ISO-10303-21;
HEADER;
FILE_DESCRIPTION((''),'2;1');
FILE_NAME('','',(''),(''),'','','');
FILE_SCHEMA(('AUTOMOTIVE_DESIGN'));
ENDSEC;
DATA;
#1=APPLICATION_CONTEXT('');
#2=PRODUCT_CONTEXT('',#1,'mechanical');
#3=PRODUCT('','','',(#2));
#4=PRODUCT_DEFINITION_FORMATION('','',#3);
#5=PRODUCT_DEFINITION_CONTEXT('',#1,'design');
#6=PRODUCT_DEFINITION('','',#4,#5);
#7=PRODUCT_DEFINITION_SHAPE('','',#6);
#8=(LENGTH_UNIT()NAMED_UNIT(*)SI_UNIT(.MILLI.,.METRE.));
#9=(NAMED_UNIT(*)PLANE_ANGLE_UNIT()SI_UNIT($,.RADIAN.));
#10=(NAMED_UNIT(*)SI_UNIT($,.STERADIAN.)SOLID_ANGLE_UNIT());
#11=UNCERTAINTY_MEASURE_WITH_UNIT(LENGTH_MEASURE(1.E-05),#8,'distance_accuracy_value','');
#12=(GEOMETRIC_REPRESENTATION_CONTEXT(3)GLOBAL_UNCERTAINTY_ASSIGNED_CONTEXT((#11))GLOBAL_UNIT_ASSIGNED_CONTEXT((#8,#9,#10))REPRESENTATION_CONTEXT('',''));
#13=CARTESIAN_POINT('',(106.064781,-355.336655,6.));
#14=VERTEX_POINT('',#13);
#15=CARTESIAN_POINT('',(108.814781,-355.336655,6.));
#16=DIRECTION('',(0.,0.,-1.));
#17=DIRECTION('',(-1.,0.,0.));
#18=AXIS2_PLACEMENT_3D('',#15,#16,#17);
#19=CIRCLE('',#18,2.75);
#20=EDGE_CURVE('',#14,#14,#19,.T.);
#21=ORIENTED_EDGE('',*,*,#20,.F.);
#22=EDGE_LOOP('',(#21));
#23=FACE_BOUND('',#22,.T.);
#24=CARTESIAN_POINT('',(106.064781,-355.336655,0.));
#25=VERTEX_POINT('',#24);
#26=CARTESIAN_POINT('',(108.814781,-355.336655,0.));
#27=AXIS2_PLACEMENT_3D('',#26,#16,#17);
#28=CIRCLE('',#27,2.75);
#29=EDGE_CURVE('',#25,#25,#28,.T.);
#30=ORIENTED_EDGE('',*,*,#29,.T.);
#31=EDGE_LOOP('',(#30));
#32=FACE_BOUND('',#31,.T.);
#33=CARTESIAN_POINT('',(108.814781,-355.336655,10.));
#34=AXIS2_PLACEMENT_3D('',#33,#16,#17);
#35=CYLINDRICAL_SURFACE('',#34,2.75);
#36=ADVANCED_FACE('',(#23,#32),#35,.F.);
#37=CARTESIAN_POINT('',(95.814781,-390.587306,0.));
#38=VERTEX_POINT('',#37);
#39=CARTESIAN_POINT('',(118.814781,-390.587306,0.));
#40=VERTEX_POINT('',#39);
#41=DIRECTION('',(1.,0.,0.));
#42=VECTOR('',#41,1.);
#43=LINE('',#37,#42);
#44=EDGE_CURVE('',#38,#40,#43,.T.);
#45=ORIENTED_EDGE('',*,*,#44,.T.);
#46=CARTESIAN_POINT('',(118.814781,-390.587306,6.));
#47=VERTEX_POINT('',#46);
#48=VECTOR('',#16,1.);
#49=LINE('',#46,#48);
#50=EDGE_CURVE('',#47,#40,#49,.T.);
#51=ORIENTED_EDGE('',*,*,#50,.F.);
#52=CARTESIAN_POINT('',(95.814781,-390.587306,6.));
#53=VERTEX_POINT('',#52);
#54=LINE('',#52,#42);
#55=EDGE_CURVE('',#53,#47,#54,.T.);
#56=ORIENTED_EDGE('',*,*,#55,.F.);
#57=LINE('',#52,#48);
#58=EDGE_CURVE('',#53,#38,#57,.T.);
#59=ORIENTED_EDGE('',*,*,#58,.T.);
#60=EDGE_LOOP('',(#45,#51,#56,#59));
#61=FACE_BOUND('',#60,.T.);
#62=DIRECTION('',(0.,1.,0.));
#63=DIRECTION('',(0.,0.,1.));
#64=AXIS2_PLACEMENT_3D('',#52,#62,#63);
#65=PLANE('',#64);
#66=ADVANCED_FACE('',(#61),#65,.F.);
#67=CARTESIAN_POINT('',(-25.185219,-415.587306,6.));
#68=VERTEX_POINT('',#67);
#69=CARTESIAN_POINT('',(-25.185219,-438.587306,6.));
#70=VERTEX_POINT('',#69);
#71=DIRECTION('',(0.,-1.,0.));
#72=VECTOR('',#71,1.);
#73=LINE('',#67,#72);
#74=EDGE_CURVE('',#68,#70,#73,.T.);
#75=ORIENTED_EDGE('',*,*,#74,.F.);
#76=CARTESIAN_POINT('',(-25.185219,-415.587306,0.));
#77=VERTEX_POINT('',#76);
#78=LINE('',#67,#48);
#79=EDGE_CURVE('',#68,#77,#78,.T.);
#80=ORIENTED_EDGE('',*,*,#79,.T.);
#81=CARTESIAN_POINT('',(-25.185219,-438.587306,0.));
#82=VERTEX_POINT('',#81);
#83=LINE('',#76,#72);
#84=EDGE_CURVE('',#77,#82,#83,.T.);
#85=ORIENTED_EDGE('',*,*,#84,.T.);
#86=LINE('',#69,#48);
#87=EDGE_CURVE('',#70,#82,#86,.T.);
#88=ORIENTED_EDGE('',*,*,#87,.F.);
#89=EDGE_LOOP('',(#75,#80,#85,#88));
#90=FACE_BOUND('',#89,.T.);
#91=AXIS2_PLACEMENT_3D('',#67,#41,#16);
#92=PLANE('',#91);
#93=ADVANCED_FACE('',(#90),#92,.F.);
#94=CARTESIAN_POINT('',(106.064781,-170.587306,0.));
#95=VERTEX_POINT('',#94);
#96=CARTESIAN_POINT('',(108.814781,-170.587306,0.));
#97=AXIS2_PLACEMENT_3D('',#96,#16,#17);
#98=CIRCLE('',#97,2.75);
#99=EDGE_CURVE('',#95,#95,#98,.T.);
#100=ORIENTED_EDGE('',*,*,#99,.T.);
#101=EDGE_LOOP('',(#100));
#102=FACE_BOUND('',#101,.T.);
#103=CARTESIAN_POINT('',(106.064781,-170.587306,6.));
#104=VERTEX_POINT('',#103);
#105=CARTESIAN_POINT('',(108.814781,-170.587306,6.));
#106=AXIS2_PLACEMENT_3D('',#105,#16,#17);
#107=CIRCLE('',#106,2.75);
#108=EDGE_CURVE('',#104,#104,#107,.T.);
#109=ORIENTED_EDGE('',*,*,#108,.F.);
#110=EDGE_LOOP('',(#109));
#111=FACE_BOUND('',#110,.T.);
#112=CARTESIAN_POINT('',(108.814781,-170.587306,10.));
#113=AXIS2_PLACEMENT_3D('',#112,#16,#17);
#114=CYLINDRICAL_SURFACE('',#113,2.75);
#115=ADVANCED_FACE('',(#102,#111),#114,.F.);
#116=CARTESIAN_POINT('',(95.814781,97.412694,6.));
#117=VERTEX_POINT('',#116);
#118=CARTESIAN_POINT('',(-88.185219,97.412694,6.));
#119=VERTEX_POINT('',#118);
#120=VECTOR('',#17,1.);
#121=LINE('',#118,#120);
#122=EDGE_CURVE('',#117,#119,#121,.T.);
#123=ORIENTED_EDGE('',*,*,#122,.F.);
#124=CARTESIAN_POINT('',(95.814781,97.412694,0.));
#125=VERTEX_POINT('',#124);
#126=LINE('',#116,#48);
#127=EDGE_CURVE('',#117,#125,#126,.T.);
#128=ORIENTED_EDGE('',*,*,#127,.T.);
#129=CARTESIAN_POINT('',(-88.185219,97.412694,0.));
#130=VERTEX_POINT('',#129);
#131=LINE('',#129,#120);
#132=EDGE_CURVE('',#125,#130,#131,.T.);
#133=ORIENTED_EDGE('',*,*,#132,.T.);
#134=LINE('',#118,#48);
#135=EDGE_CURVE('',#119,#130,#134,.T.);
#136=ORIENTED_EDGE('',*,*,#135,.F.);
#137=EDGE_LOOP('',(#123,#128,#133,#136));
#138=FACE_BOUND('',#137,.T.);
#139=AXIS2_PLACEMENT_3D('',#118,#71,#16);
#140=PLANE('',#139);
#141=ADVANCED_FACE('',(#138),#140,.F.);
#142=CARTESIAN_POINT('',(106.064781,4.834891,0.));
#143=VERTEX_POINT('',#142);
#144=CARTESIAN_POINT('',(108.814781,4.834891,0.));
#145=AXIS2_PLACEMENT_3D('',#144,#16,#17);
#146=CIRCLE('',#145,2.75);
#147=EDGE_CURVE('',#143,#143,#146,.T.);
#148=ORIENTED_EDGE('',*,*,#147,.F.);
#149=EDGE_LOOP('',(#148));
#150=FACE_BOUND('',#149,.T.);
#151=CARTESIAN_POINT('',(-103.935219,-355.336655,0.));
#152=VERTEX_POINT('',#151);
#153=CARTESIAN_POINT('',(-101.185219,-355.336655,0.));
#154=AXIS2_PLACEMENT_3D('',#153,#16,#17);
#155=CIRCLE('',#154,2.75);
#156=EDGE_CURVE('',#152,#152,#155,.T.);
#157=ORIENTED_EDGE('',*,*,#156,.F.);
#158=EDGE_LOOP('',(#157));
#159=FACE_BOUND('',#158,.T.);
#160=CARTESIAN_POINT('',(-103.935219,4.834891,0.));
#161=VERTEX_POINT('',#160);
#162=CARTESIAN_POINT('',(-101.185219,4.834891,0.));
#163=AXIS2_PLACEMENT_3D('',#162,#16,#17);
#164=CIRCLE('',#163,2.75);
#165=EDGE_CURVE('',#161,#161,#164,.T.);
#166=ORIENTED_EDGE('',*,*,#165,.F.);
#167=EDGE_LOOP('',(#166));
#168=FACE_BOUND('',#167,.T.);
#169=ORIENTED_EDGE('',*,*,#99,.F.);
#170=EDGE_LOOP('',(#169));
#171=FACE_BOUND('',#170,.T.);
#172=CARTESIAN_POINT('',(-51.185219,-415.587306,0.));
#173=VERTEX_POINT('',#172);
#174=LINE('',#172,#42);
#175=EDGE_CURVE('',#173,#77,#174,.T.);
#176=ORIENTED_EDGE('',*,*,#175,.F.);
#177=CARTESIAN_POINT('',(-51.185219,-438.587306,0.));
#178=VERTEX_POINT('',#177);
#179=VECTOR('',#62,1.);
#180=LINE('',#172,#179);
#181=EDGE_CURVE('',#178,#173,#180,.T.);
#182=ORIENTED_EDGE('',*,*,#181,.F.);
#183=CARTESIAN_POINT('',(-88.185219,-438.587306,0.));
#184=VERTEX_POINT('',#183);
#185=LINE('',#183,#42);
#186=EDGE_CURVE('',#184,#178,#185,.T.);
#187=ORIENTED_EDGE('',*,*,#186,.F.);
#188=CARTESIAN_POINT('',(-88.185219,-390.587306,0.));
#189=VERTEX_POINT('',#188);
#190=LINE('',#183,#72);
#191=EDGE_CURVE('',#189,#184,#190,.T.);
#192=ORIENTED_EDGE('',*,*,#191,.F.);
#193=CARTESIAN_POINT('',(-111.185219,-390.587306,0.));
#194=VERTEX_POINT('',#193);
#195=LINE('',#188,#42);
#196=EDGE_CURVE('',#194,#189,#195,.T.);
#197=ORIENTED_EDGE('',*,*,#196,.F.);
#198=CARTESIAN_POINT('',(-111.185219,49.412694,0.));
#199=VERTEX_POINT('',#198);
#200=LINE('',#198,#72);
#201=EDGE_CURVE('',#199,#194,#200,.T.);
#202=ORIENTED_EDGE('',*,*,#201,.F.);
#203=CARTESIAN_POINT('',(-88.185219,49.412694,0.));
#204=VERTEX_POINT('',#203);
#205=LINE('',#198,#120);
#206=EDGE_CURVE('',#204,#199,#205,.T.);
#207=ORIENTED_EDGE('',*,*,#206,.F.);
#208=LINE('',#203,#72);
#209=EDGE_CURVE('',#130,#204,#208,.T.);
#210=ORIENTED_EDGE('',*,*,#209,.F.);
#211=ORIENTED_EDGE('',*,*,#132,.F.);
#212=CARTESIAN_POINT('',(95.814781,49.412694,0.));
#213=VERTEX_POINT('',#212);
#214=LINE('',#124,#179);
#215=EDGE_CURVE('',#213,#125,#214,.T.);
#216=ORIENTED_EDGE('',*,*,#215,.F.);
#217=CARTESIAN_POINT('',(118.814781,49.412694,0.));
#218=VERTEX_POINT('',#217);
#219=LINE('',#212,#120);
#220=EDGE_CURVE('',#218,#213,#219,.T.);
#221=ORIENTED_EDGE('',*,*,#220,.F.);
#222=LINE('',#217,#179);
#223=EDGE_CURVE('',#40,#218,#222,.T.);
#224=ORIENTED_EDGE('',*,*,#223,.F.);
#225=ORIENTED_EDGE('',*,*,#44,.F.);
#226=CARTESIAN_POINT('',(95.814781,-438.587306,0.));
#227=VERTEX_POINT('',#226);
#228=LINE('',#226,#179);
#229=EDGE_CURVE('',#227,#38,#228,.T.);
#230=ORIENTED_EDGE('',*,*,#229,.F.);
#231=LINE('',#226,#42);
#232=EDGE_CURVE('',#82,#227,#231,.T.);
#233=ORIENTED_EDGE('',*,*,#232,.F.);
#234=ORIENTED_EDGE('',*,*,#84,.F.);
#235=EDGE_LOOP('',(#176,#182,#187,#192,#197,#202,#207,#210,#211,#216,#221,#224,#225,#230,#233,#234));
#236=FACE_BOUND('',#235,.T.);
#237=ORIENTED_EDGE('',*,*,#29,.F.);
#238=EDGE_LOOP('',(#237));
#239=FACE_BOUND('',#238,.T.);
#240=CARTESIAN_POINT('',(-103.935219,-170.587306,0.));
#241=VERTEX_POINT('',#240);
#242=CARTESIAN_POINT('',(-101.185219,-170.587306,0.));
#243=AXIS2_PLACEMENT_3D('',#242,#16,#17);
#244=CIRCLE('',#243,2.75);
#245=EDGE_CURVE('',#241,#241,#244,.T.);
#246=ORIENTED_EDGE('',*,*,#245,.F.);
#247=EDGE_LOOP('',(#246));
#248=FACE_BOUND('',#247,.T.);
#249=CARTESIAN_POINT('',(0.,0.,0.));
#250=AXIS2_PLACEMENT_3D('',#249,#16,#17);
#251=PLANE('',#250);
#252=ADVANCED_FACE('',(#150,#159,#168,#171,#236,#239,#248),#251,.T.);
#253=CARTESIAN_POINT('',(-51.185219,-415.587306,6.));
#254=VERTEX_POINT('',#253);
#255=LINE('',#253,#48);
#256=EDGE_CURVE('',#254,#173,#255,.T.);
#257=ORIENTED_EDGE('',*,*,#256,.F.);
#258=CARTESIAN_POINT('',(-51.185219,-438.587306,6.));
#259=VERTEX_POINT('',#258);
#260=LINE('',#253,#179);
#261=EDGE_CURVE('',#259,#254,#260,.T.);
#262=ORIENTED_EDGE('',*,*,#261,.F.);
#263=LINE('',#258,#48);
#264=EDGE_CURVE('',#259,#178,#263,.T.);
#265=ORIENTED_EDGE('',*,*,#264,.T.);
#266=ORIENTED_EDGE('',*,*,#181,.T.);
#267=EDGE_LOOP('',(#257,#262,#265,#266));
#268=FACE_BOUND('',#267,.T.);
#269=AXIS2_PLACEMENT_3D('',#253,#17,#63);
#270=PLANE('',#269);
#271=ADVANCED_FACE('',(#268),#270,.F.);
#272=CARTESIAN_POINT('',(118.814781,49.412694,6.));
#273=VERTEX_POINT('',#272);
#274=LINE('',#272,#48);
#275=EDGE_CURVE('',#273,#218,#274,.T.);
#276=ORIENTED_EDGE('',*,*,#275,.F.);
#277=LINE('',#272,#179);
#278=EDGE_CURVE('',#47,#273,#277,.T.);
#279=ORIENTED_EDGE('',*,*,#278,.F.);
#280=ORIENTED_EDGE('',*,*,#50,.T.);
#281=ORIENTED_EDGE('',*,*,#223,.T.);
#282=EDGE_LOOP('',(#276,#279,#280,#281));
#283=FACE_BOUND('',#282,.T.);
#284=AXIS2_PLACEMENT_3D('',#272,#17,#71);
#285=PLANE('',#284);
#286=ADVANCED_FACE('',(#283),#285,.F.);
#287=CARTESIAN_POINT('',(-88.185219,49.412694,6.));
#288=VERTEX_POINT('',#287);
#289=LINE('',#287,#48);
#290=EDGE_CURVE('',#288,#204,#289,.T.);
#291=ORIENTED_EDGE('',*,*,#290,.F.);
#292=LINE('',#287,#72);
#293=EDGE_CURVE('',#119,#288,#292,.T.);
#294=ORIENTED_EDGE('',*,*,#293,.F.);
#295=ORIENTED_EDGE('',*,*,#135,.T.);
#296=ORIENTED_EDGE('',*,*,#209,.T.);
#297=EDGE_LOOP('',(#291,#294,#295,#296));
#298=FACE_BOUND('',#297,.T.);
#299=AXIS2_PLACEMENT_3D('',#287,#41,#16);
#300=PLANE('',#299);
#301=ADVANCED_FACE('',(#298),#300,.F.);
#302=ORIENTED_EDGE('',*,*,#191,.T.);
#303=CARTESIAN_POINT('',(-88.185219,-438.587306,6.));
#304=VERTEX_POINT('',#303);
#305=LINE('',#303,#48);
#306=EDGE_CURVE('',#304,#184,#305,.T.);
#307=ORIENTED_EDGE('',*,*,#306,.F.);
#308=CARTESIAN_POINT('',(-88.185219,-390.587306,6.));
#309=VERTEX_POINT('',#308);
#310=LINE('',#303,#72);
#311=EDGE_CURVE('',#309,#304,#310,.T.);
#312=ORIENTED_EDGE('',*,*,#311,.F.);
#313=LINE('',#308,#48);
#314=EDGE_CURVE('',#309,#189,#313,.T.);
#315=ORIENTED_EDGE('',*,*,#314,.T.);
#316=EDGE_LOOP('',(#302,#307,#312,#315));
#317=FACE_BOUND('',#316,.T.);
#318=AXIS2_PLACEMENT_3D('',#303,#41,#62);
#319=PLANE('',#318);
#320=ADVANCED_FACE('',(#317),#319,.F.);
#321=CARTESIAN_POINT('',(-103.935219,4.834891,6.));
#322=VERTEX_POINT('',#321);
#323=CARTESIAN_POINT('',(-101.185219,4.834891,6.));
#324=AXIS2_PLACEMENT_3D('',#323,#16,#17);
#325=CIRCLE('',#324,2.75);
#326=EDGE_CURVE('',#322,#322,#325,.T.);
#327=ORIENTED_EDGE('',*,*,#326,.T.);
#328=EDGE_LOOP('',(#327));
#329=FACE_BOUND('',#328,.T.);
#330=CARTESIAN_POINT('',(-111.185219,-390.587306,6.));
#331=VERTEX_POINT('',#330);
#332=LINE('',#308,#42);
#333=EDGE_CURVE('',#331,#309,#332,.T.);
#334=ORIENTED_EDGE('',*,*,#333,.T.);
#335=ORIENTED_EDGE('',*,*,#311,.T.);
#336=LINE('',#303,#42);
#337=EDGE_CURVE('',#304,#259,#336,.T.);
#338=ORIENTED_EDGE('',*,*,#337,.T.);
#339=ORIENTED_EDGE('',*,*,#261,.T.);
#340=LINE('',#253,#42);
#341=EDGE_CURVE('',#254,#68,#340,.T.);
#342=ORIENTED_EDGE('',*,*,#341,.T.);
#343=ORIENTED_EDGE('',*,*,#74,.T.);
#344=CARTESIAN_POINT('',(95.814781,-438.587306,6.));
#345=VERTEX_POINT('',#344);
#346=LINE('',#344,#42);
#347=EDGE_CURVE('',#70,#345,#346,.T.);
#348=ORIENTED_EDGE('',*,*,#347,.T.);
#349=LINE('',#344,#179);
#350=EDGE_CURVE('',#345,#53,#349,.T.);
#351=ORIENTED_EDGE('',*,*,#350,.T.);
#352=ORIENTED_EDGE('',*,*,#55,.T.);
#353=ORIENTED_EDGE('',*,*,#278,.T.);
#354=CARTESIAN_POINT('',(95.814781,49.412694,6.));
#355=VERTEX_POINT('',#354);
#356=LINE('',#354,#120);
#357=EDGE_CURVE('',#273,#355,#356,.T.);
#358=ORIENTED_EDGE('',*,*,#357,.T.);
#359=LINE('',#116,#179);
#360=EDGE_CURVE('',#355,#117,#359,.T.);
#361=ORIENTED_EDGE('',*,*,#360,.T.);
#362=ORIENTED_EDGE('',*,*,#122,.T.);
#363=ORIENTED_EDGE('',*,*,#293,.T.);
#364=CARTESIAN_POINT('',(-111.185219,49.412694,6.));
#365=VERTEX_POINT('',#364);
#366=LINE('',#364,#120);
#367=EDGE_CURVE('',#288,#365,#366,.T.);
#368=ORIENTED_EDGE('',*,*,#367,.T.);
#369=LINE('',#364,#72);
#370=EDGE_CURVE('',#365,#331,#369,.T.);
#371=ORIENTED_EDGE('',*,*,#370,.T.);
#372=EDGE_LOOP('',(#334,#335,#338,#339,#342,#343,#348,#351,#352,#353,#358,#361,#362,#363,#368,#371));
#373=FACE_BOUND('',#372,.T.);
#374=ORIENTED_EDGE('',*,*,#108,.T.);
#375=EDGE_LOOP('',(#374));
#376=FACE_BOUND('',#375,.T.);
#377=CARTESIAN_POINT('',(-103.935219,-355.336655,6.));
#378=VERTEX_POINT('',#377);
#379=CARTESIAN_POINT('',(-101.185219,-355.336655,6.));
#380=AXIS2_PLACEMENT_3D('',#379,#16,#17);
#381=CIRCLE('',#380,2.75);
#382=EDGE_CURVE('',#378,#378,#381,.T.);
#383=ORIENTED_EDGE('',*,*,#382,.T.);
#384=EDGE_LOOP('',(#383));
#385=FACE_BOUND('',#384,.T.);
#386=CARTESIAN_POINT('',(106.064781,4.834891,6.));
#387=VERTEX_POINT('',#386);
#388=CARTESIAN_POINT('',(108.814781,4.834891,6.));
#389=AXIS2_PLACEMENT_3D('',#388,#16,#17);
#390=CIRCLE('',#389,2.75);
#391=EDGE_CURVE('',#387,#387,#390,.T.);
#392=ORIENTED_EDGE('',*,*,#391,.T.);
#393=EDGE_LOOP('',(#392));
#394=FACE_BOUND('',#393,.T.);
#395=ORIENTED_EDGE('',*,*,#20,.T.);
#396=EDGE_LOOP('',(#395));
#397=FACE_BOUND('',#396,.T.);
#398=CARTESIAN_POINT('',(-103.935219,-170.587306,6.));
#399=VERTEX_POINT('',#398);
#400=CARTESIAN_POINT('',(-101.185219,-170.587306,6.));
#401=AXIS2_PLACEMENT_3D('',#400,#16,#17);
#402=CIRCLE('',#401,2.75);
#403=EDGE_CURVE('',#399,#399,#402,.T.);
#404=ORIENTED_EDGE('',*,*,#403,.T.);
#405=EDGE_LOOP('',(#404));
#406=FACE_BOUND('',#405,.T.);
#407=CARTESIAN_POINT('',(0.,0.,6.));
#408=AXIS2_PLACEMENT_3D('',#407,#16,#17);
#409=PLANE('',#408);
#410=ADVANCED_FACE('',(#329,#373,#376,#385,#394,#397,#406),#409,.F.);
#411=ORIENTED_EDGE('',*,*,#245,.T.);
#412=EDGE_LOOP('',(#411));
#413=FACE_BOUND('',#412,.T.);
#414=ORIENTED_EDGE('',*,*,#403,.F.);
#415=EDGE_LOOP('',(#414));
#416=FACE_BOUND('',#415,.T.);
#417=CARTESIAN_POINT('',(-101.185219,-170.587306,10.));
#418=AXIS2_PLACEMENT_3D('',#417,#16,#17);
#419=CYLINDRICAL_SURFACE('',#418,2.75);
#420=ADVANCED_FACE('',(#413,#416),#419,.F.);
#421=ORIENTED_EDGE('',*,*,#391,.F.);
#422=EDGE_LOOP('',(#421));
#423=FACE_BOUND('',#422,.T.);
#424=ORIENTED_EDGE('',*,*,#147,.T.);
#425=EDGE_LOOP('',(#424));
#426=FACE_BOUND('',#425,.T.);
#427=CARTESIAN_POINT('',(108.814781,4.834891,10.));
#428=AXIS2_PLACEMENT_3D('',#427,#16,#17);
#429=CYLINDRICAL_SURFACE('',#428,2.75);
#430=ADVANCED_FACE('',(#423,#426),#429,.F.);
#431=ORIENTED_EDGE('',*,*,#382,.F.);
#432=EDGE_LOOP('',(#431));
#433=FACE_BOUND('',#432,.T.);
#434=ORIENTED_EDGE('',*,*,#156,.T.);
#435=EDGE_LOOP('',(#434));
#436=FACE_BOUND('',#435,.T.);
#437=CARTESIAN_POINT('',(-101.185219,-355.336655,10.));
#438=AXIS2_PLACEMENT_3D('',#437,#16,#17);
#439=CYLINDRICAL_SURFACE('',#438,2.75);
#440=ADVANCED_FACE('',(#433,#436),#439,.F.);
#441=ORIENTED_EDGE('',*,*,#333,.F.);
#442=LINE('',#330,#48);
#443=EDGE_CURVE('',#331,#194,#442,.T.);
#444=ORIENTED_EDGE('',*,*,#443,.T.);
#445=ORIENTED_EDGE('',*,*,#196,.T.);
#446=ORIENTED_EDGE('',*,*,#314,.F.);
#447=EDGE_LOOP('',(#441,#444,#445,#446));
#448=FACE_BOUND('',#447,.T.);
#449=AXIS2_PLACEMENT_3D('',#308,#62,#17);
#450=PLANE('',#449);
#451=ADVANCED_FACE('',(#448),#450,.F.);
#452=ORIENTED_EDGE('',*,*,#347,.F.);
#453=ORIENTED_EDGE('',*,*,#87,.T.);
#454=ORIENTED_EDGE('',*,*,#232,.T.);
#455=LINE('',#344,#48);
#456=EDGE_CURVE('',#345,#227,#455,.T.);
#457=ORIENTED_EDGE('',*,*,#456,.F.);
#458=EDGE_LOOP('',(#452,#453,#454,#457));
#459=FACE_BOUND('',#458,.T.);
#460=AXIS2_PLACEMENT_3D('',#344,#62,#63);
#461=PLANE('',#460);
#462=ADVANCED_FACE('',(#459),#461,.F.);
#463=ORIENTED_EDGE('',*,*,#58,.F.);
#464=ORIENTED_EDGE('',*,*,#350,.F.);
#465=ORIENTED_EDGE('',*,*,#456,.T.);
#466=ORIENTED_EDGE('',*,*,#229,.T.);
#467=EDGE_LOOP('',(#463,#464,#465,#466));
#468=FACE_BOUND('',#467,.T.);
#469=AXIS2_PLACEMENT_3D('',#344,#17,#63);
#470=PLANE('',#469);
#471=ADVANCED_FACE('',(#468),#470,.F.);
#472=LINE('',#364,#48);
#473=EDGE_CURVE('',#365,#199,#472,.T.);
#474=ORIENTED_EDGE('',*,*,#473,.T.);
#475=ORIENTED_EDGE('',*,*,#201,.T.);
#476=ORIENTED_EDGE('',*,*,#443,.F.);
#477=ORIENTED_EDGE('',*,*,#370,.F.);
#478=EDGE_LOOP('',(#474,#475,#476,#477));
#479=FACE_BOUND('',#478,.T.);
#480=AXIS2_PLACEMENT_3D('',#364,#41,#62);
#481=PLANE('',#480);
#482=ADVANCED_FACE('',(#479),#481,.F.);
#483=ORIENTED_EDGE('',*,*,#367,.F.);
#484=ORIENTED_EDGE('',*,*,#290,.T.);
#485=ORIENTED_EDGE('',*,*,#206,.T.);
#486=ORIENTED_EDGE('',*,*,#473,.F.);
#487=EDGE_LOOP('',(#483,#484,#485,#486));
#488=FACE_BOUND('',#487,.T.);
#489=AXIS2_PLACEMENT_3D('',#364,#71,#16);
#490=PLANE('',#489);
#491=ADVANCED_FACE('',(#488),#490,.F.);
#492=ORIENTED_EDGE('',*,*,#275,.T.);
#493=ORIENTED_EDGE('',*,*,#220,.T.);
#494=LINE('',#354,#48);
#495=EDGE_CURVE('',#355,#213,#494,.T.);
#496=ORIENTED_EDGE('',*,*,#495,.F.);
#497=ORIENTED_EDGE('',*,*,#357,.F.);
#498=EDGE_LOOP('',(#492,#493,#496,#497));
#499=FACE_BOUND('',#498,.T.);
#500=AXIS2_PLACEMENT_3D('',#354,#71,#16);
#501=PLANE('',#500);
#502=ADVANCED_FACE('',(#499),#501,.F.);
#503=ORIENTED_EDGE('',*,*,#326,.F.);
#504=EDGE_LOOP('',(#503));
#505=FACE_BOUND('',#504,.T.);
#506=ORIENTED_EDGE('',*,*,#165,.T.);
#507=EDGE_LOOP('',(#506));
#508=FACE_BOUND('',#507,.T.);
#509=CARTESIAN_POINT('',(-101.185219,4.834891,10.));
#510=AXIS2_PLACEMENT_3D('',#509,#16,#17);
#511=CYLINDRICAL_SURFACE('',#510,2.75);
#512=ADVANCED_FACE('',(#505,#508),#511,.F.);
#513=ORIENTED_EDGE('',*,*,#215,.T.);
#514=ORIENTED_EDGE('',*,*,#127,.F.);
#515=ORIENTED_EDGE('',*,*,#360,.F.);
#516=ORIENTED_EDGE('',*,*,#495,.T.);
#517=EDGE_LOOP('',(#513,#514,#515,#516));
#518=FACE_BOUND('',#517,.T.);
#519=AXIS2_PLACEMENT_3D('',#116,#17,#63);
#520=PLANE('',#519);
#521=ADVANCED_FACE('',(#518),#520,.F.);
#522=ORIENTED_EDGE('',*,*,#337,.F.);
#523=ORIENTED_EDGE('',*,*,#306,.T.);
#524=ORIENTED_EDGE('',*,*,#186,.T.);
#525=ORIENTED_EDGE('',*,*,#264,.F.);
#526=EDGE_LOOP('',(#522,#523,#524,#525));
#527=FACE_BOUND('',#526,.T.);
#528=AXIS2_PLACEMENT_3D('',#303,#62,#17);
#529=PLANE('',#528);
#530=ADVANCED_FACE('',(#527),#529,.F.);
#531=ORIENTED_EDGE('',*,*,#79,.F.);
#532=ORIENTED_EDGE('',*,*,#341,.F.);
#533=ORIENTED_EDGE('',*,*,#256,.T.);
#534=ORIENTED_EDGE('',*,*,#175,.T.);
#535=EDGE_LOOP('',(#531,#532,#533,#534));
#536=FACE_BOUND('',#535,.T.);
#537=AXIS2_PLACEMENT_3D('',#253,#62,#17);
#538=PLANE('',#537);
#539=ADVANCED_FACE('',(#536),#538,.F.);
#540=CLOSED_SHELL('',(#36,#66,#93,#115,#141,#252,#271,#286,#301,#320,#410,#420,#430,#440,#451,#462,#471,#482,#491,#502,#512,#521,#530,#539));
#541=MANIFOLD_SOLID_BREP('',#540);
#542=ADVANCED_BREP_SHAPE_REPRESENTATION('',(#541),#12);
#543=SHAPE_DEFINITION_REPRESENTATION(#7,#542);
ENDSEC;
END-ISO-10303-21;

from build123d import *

# Parameters (mm, degrees)
BOSS_EXTRUDE1_DEPTH = 6
SKETCH2_R           = 2.75
CUT_EXTRUDE1_DEPTH  = 10


with BuildPart() as part:
    # Sketch1 → Boss-Extrude1 (new body)
    with BuildSketch(Plane.XY):
        Polygon((95.814780717, -438.587306273), (95.814780717, -390.58730627), (118.814780717, -390.58730627), (118.814780717, 49.41269373), (95.814780717, 49.41269373), (95.814780717, 97.41269373), (-88.185219283, 97.41269373), (-88.185219283, 49.41269373), (-111.185219283, 49.41269373), (-111.185219283, -390.58730627), (-88.185219283, -390.58730627), (-88.185219283, -438.587306273), (-51.185219283, -438.587306273), (-51.185219283, -415.587306273), (-25.185219283, -415.587306273), (-25.185219283, -438.587306273), align=None)
    extrude(amount=BOSS_EXTRUDE1_DEPTH)

    # Sketch2 → Cut-Extrude1 (cut)
    with BuildSketch(Plane(origin=(0, 0, 0), x_dir=(-1, 0, 0), z_dir=(0, 0, -1))):
        with Locations((-108.814780717, -170.58730627)):
            Circle(SKETCH2_R)
        with Locations((-108.814780717, 4.834891165)):
            Circle(SKETCH2_R)
        with Locations((-108.814780717, -355.336655309)):
            Circle(SKETCH2_R)
        with Locations((101.185219283, 4.834891165)):
            Circle(SKETCH2_R)
        with Locations((101.185219283, -170.58730627)):
            Circle(SKETCH2_R)
        with Locations((101.185219283, -355.336655309)):
            Circle(SKETCH2_R)
    extrude(amount=-CUT_EXTRUDE1_DEPTH, mode=Mode.SUBTRACT)


solid = part.part
